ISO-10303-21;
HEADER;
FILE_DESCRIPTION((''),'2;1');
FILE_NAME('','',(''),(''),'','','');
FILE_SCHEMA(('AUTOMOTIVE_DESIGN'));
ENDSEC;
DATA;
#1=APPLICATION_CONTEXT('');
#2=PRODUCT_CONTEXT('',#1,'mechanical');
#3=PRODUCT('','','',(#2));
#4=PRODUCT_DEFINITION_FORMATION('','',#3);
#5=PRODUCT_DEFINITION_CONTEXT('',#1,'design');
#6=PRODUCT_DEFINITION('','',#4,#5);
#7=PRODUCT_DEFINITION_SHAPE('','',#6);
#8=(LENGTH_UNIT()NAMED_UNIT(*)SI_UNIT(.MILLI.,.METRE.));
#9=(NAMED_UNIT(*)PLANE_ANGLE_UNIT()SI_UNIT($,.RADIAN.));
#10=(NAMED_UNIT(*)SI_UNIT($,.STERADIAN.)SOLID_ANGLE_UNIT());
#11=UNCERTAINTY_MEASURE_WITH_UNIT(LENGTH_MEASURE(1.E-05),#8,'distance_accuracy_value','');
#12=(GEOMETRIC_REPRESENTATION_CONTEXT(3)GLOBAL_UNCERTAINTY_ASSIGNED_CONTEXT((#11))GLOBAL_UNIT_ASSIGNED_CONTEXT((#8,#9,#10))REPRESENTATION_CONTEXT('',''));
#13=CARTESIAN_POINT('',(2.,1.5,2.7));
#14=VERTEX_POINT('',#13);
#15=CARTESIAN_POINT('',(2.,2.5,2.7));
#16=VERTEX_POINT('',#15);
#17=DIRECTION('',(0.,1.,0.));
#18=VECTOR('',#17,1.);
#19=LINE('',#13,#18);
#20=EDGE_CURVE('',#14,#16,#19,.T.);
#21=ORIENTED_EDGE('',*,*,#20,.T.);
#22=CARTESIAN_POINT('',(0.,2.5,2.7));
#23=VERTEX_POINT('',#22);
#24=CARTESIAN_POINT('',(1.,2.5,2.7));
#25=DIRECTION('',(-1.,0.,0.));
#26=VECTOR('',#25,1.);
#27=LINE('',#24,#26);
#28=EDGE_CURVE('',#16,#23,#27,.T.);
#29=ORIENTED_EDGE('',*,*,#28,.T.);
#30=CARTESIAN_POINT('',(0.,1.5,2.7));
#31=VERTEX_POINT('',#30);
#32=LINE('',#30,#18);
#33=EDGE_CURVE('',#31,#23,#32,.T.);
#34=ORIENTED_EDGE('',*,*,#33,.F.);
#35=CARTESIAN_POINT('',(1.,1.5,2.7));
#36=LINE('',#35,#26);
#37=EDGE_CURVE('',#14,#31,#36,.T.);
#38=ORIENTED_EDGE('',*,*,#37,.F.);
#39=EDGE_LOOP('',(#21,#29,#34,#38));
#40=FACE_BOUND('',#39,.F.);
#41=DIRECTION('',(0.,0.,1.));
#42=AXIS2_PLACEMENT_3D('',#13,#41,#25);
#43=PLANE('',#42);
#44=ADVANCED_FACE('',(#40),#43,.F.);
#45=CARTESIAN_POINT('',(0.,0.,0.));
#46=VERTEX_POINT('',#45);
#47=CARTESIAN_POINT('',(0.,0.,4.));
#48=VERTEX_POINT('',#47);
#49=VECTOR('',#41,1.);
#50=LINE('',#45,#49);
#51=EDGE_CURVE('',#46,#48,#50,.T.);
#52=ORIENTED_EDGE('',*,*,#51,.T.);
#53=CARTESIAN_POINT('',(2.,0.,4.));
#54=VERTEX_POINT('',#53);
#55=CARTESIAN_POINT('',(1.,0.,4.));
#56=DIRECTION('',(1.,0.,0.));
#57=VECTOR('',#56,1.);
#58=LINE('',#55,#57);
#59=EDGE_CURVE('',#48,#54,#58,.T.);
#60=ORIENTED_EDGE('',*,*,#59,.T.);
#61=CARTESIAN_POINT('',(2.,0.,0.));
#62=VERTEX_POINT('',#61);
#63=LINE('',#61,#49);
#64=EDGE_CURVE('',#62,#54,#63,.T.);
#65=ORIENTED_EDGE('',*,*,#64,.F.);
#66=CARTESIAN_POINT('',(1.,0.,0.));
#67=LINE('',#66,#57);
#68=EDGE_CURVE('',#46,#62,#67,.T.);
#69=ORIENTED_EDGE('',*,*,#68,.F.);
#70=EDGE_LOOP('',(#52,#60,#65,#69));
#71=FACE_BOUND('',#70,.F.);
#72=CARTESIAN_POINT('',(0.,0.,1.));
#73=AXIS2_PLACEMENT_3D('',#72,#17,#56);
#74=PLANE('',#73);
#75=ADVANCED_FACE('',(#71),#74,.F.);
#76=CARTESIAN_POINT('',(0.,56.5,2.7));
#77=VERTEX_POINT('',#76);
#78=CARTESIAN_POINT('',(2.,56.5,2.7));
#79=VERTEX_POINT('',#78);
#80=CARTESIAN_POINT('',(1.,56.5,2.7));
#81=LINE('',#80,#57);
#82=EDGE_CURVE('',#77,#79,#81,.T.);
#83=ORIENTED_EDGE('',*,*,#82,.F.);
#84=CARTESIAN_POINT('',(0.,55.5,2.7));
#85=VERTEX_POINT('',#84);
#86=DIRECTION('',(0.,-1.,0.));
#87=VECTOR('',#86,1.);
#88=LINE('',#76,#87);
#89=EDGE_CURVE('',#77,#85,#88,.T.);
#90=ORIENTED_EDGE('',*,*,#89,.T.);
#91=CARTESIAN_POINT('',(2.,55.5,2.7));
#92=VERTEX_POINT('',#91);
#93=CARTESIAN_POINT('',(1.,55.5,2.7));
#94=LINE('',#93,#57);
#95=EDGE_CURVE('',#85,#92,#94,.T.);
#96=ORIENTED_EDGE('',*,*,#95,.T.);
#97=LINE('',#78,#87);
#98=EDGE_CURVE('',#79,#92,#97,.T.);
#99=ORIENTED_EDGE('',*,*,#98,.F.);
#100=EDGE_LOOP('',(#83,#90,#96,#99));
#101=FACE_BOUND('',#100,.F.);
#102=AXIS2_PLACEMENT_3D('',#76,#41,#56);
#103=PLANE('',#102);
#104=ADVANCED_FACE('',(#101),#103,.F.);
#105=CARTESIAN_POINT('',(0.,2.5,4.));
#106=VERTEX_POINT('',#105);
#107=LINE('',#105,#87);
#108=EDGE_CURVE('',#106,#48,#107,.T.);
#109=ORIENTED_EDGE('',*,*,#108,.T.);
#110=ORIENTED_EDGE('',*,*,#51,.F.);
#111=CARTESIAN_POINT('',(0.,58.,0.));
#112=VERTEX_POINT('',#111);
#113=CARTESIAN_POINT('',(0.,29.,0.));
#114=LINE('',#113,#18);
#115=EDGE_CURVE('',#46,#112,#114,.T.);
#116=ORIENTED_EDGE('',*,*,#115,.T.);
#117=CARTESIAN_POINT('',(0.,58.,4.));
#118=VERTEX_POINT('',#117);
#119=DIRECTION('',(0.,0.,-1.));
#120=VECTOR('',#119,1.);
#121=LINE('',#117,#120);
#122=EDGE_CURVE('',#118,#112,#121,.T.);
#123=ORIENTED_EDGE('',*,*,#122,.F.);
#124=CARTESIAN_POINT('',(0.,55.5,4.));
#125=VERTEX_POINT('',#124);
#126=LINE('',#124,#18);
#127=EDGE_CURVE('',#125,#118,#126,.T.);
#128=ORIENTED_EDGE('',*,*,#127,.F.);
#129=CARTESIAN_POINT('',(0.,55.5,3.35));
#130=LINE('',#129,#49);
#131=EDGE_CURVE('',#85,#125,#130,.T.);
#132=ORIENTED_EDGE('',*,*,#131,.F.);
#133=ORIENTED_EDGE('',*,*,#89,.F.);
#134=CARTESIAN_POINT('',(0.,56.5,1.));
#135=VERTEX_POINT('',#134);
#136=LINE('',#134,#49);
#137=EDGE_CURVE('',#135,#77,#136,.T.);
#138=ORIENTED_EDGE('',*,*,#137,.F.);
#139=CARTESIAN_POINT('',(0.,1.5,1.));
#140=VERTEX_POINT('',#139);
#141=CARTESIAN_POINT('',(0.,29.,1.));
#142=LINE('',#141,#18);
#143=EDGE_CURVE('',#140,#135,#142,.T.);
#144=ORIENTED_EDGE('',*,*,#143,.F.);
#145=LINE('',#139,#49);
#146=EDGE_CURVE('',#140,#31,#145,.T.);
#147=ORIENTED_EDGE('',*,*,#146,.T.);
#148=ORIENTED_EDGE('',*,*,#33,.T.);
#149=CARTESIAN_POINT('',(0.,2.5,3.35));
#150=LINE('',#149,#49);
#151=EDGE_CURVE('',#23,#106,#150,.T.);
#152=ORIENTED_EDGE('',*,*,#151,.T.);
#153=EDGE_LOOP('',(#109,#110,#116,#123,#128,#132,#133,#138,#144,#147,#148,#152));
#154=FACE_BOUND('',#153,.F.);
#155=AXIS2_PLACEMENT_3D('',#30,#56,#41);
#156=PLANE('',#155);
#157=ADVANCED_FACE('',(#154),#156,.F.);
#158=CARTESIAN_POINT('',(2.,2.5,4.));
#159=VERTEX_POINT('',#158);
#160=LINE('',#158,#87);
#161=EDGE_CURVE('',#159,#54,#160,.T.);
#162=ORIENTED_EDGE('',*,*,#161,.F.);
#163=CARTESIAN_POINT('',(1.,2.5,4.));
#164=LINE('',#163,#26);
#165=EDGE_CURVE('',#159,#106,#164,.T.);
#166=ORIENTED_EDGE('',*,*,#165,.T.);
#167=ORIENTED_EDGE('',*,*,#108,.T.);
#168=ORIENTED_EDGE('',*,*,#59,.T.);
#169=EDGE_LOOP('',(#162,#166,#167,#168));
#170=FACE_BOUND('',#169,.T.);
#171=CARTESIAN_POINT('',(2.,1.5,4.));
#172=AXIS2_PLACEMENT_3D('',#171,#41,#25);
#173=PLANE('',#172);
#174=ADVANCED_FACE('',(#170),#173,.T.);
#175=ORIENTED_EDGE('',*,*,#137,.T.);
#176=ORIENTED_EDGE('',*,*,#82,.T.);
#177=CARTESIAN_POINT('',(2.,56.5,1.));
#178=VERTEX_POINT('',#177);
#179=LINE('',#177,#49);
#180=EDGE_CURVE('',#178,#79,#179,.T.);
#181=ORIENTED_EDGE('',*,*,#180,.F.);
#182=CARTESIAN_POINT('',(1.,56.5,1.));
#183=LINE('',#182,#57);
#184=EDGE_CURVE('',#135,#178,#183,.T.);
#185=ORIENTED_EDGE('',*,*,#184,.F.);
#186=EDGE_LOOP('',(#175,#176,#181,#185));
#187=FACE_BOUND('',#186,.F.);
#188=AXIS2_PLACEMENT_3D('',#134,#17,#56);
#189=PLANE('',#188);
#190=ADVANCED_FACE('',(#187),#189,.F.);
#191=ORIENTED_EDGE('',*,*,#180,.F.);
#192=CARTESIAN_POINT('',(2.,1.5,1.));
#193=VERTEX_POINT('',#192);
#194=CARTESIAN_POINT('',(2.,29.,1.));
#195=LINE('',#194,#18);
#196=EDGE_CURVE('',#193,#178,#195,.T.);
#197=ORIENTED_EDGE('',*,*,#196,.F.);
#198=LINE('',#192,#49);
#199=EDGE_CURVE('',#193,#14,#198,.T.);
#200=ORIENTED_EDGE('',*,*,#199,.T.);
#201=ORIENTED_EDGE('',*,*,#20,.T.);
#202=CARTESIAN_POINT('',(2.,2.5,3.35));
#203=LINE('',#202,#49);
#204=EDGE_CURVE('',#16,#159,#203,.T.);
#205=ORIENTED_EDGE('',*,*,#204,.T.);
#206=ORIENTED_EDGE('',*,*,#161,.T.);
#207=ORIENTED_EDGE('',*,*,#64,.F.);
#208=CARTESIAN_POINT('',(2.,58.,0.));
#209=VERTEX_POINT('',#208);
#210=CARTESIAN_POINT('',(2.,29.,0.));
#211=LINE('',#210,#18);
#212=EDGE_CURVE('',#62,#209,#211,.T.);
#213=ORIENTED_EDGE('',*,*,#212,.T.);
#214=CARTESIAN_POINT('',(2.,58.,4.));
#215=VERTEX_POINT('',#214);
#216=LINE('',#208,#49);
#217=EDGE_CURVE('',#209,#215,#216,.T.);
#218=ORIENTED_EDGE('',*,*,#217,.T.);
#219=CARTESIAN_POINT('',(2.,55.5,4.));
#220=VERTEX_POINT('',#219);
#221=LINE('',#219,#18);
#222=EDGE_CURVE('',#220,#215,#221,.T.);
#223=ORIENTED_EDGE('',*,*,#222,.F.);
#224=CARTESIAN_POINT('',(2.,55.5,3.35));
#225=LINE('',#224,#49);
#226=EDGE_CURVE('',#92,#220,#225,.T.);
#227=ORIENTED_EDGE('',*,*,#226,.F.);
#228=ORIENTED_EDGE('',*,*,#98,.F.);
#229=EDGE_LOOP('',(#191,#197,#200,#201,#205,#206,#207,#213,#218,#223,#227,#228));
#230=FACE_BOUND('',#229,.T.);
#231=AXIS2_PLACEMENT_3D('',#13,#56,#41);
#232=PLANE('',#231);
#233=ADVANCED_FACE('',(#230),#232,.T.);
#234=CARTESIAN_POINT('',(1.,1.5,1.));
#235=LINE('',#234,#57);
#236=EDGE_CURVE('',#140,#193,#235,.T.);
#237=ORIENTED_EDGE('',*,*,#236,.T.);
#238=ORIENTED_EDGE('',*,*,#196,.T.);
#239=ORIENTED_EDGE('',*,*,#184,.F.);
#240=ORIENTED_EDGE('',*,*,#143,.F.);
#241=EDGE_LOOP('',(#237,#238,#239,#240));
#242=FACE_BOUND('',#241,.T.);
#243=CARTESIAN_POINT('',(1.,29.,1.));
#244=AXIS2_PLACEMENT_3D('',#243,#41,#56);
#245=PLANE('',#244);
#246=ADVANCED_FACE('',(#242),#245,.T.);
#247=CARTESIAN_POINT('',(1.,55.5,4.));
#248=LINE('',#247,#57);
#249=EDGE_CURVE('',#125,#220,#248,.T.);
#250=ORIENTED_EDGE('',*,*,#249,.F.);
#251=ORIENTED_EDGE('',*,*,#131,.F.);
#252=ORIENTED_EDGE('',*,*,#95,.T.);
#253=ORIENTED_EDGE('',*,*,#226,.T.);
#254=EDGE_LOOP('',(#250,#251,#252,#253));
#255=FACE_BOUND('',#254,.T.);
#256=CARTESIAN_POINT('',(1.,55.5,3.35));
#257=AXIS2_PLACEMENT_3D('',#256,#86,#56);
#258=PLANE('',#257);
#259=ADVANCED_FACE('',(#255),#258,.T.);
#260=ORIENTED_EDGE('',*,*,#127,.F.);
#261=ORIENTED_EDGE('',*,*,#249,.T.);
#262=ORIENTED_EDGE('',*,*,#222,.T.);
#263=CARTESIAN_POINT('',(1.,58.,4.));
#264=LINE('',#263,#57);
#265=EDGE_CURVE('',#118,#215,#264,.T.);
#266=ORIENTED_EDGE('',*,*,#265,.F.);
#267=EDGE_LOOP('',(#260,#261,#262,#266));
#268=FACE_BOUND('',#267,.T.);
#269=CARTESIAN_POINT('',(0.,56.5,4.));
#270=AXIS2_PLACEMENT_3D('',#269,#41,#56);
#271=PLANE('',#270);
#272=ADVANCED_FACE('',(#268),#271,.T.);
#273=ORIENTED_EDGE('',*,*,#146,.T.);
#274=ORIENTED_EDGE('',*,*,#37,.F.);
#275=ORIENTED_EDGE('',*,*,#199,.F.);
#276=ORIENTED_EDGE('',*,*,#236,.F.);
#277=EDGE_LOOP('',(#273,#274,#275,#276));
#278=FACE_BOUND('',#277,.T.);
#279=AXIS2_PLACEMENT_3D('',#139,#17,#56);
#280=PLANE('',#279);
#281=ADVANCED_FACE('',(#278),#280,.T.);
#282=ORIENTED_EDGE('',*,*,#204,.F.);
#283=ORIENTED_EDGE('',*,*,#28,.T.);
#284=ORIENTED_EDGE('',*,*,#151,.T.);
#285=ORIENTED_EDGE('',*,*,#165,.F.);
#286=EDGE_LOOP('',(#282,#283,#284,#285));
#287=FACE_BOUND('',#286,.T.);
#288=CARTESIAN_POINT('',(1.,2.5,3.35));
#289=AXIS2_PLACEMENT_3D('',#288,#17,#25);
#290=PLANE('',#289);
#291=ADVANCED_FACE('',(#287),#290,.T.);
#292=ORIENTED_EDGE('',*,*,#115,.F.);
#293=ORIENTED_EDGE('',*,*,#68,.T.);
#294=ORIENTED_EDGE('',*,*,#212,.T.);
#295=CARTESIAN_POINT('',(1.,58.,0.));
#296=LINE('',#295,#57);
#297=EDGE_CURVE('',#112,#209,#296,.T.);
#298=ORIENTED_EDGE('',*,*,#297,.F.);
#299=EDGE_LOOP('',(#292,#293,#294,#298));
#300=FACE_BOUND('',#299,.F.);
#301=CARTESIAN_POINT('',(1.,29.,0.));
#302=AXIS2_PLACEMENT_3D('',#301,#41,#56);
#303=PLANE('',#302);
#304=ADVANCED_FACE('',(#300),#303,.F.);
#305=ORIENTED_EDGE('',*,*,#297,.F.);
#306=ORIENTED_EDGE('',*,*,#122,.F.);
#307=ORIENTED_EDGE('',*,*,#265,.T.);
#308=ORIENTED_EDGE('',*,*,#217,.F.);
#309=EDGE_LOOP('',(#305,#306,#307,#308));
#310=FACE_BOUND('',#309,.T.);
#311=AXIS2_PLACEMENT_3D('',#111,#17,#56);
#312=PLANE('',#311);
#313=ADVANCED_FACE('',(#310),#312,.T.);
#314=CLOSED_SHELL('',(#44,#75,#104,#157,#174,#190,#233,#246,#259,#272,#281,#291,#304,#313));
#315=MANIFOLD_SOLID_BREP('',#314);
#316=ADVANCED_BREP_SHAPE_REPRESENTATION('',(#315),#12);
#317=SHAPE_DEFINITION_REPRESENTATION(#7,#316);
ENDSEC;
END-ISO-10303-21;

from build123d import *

# Parameters (mm, degrees)
SKETCH_W     = 2
SKETCH_H     = 58
PAD_DEPTH    = 1
SKETCH001_W  = 2
SKETCH001_H  = 1.5
PAD001_DEPTH = 3
SKETCH002_W  = 2
SKETCH002_H  = 1.3
PAD002_DEPTH = 1
SKETCH003_W  = 2
SKETCH003_H  = 1.3
PAD003_DEPTH = 1


with BuildPart() as part:
    # Sketch → Pad (new body)
    with BuildSketch(Plane.XY):
        with Locations((1, 29)):
            Rectangle(SKETCH_W, SKETCH_H)
    extrude(amount=PAD_DEPTH)

    # Sketch001 (on Face6 of Pad) → Pad001 (join)
    with BuildSketch(Plane.XY.offset(1)):
        with Locations((1, 0.75)):
            Rectangle(SKETCH001_W, SKETCH001_H)
        with Locations((1, 57.25)):
            Rectangle(SKETCH001_W, SKETCH001_H)
    extrude(amount=PAD001_DEPTH)

    # Sketch002 (on Face14 of Pad001) → Pad002 (join)
    with BuildSketch(Plane.XZ.offset(-56.5)):
        with Locations((1, 3.35)):
            Rectangle(SKETCH002_W, SKETCH002_H)
    extrude(amount=PAD002_DEPTH)

    # Sketch003 (on Face17 of Pad002) → Pad003 (join)
    with BuildSketch(Plane(origin=(0, 1.5, 0), x_dir=(-1, 0, 0), z_dir=(0, 1, 0))):
        with Locations((-1, 3.35)):
            Rectangle(SKETCH003_W, SKETCH003_H)
    extrude(amount=PAD003_DEPTH)


solid = part.part
